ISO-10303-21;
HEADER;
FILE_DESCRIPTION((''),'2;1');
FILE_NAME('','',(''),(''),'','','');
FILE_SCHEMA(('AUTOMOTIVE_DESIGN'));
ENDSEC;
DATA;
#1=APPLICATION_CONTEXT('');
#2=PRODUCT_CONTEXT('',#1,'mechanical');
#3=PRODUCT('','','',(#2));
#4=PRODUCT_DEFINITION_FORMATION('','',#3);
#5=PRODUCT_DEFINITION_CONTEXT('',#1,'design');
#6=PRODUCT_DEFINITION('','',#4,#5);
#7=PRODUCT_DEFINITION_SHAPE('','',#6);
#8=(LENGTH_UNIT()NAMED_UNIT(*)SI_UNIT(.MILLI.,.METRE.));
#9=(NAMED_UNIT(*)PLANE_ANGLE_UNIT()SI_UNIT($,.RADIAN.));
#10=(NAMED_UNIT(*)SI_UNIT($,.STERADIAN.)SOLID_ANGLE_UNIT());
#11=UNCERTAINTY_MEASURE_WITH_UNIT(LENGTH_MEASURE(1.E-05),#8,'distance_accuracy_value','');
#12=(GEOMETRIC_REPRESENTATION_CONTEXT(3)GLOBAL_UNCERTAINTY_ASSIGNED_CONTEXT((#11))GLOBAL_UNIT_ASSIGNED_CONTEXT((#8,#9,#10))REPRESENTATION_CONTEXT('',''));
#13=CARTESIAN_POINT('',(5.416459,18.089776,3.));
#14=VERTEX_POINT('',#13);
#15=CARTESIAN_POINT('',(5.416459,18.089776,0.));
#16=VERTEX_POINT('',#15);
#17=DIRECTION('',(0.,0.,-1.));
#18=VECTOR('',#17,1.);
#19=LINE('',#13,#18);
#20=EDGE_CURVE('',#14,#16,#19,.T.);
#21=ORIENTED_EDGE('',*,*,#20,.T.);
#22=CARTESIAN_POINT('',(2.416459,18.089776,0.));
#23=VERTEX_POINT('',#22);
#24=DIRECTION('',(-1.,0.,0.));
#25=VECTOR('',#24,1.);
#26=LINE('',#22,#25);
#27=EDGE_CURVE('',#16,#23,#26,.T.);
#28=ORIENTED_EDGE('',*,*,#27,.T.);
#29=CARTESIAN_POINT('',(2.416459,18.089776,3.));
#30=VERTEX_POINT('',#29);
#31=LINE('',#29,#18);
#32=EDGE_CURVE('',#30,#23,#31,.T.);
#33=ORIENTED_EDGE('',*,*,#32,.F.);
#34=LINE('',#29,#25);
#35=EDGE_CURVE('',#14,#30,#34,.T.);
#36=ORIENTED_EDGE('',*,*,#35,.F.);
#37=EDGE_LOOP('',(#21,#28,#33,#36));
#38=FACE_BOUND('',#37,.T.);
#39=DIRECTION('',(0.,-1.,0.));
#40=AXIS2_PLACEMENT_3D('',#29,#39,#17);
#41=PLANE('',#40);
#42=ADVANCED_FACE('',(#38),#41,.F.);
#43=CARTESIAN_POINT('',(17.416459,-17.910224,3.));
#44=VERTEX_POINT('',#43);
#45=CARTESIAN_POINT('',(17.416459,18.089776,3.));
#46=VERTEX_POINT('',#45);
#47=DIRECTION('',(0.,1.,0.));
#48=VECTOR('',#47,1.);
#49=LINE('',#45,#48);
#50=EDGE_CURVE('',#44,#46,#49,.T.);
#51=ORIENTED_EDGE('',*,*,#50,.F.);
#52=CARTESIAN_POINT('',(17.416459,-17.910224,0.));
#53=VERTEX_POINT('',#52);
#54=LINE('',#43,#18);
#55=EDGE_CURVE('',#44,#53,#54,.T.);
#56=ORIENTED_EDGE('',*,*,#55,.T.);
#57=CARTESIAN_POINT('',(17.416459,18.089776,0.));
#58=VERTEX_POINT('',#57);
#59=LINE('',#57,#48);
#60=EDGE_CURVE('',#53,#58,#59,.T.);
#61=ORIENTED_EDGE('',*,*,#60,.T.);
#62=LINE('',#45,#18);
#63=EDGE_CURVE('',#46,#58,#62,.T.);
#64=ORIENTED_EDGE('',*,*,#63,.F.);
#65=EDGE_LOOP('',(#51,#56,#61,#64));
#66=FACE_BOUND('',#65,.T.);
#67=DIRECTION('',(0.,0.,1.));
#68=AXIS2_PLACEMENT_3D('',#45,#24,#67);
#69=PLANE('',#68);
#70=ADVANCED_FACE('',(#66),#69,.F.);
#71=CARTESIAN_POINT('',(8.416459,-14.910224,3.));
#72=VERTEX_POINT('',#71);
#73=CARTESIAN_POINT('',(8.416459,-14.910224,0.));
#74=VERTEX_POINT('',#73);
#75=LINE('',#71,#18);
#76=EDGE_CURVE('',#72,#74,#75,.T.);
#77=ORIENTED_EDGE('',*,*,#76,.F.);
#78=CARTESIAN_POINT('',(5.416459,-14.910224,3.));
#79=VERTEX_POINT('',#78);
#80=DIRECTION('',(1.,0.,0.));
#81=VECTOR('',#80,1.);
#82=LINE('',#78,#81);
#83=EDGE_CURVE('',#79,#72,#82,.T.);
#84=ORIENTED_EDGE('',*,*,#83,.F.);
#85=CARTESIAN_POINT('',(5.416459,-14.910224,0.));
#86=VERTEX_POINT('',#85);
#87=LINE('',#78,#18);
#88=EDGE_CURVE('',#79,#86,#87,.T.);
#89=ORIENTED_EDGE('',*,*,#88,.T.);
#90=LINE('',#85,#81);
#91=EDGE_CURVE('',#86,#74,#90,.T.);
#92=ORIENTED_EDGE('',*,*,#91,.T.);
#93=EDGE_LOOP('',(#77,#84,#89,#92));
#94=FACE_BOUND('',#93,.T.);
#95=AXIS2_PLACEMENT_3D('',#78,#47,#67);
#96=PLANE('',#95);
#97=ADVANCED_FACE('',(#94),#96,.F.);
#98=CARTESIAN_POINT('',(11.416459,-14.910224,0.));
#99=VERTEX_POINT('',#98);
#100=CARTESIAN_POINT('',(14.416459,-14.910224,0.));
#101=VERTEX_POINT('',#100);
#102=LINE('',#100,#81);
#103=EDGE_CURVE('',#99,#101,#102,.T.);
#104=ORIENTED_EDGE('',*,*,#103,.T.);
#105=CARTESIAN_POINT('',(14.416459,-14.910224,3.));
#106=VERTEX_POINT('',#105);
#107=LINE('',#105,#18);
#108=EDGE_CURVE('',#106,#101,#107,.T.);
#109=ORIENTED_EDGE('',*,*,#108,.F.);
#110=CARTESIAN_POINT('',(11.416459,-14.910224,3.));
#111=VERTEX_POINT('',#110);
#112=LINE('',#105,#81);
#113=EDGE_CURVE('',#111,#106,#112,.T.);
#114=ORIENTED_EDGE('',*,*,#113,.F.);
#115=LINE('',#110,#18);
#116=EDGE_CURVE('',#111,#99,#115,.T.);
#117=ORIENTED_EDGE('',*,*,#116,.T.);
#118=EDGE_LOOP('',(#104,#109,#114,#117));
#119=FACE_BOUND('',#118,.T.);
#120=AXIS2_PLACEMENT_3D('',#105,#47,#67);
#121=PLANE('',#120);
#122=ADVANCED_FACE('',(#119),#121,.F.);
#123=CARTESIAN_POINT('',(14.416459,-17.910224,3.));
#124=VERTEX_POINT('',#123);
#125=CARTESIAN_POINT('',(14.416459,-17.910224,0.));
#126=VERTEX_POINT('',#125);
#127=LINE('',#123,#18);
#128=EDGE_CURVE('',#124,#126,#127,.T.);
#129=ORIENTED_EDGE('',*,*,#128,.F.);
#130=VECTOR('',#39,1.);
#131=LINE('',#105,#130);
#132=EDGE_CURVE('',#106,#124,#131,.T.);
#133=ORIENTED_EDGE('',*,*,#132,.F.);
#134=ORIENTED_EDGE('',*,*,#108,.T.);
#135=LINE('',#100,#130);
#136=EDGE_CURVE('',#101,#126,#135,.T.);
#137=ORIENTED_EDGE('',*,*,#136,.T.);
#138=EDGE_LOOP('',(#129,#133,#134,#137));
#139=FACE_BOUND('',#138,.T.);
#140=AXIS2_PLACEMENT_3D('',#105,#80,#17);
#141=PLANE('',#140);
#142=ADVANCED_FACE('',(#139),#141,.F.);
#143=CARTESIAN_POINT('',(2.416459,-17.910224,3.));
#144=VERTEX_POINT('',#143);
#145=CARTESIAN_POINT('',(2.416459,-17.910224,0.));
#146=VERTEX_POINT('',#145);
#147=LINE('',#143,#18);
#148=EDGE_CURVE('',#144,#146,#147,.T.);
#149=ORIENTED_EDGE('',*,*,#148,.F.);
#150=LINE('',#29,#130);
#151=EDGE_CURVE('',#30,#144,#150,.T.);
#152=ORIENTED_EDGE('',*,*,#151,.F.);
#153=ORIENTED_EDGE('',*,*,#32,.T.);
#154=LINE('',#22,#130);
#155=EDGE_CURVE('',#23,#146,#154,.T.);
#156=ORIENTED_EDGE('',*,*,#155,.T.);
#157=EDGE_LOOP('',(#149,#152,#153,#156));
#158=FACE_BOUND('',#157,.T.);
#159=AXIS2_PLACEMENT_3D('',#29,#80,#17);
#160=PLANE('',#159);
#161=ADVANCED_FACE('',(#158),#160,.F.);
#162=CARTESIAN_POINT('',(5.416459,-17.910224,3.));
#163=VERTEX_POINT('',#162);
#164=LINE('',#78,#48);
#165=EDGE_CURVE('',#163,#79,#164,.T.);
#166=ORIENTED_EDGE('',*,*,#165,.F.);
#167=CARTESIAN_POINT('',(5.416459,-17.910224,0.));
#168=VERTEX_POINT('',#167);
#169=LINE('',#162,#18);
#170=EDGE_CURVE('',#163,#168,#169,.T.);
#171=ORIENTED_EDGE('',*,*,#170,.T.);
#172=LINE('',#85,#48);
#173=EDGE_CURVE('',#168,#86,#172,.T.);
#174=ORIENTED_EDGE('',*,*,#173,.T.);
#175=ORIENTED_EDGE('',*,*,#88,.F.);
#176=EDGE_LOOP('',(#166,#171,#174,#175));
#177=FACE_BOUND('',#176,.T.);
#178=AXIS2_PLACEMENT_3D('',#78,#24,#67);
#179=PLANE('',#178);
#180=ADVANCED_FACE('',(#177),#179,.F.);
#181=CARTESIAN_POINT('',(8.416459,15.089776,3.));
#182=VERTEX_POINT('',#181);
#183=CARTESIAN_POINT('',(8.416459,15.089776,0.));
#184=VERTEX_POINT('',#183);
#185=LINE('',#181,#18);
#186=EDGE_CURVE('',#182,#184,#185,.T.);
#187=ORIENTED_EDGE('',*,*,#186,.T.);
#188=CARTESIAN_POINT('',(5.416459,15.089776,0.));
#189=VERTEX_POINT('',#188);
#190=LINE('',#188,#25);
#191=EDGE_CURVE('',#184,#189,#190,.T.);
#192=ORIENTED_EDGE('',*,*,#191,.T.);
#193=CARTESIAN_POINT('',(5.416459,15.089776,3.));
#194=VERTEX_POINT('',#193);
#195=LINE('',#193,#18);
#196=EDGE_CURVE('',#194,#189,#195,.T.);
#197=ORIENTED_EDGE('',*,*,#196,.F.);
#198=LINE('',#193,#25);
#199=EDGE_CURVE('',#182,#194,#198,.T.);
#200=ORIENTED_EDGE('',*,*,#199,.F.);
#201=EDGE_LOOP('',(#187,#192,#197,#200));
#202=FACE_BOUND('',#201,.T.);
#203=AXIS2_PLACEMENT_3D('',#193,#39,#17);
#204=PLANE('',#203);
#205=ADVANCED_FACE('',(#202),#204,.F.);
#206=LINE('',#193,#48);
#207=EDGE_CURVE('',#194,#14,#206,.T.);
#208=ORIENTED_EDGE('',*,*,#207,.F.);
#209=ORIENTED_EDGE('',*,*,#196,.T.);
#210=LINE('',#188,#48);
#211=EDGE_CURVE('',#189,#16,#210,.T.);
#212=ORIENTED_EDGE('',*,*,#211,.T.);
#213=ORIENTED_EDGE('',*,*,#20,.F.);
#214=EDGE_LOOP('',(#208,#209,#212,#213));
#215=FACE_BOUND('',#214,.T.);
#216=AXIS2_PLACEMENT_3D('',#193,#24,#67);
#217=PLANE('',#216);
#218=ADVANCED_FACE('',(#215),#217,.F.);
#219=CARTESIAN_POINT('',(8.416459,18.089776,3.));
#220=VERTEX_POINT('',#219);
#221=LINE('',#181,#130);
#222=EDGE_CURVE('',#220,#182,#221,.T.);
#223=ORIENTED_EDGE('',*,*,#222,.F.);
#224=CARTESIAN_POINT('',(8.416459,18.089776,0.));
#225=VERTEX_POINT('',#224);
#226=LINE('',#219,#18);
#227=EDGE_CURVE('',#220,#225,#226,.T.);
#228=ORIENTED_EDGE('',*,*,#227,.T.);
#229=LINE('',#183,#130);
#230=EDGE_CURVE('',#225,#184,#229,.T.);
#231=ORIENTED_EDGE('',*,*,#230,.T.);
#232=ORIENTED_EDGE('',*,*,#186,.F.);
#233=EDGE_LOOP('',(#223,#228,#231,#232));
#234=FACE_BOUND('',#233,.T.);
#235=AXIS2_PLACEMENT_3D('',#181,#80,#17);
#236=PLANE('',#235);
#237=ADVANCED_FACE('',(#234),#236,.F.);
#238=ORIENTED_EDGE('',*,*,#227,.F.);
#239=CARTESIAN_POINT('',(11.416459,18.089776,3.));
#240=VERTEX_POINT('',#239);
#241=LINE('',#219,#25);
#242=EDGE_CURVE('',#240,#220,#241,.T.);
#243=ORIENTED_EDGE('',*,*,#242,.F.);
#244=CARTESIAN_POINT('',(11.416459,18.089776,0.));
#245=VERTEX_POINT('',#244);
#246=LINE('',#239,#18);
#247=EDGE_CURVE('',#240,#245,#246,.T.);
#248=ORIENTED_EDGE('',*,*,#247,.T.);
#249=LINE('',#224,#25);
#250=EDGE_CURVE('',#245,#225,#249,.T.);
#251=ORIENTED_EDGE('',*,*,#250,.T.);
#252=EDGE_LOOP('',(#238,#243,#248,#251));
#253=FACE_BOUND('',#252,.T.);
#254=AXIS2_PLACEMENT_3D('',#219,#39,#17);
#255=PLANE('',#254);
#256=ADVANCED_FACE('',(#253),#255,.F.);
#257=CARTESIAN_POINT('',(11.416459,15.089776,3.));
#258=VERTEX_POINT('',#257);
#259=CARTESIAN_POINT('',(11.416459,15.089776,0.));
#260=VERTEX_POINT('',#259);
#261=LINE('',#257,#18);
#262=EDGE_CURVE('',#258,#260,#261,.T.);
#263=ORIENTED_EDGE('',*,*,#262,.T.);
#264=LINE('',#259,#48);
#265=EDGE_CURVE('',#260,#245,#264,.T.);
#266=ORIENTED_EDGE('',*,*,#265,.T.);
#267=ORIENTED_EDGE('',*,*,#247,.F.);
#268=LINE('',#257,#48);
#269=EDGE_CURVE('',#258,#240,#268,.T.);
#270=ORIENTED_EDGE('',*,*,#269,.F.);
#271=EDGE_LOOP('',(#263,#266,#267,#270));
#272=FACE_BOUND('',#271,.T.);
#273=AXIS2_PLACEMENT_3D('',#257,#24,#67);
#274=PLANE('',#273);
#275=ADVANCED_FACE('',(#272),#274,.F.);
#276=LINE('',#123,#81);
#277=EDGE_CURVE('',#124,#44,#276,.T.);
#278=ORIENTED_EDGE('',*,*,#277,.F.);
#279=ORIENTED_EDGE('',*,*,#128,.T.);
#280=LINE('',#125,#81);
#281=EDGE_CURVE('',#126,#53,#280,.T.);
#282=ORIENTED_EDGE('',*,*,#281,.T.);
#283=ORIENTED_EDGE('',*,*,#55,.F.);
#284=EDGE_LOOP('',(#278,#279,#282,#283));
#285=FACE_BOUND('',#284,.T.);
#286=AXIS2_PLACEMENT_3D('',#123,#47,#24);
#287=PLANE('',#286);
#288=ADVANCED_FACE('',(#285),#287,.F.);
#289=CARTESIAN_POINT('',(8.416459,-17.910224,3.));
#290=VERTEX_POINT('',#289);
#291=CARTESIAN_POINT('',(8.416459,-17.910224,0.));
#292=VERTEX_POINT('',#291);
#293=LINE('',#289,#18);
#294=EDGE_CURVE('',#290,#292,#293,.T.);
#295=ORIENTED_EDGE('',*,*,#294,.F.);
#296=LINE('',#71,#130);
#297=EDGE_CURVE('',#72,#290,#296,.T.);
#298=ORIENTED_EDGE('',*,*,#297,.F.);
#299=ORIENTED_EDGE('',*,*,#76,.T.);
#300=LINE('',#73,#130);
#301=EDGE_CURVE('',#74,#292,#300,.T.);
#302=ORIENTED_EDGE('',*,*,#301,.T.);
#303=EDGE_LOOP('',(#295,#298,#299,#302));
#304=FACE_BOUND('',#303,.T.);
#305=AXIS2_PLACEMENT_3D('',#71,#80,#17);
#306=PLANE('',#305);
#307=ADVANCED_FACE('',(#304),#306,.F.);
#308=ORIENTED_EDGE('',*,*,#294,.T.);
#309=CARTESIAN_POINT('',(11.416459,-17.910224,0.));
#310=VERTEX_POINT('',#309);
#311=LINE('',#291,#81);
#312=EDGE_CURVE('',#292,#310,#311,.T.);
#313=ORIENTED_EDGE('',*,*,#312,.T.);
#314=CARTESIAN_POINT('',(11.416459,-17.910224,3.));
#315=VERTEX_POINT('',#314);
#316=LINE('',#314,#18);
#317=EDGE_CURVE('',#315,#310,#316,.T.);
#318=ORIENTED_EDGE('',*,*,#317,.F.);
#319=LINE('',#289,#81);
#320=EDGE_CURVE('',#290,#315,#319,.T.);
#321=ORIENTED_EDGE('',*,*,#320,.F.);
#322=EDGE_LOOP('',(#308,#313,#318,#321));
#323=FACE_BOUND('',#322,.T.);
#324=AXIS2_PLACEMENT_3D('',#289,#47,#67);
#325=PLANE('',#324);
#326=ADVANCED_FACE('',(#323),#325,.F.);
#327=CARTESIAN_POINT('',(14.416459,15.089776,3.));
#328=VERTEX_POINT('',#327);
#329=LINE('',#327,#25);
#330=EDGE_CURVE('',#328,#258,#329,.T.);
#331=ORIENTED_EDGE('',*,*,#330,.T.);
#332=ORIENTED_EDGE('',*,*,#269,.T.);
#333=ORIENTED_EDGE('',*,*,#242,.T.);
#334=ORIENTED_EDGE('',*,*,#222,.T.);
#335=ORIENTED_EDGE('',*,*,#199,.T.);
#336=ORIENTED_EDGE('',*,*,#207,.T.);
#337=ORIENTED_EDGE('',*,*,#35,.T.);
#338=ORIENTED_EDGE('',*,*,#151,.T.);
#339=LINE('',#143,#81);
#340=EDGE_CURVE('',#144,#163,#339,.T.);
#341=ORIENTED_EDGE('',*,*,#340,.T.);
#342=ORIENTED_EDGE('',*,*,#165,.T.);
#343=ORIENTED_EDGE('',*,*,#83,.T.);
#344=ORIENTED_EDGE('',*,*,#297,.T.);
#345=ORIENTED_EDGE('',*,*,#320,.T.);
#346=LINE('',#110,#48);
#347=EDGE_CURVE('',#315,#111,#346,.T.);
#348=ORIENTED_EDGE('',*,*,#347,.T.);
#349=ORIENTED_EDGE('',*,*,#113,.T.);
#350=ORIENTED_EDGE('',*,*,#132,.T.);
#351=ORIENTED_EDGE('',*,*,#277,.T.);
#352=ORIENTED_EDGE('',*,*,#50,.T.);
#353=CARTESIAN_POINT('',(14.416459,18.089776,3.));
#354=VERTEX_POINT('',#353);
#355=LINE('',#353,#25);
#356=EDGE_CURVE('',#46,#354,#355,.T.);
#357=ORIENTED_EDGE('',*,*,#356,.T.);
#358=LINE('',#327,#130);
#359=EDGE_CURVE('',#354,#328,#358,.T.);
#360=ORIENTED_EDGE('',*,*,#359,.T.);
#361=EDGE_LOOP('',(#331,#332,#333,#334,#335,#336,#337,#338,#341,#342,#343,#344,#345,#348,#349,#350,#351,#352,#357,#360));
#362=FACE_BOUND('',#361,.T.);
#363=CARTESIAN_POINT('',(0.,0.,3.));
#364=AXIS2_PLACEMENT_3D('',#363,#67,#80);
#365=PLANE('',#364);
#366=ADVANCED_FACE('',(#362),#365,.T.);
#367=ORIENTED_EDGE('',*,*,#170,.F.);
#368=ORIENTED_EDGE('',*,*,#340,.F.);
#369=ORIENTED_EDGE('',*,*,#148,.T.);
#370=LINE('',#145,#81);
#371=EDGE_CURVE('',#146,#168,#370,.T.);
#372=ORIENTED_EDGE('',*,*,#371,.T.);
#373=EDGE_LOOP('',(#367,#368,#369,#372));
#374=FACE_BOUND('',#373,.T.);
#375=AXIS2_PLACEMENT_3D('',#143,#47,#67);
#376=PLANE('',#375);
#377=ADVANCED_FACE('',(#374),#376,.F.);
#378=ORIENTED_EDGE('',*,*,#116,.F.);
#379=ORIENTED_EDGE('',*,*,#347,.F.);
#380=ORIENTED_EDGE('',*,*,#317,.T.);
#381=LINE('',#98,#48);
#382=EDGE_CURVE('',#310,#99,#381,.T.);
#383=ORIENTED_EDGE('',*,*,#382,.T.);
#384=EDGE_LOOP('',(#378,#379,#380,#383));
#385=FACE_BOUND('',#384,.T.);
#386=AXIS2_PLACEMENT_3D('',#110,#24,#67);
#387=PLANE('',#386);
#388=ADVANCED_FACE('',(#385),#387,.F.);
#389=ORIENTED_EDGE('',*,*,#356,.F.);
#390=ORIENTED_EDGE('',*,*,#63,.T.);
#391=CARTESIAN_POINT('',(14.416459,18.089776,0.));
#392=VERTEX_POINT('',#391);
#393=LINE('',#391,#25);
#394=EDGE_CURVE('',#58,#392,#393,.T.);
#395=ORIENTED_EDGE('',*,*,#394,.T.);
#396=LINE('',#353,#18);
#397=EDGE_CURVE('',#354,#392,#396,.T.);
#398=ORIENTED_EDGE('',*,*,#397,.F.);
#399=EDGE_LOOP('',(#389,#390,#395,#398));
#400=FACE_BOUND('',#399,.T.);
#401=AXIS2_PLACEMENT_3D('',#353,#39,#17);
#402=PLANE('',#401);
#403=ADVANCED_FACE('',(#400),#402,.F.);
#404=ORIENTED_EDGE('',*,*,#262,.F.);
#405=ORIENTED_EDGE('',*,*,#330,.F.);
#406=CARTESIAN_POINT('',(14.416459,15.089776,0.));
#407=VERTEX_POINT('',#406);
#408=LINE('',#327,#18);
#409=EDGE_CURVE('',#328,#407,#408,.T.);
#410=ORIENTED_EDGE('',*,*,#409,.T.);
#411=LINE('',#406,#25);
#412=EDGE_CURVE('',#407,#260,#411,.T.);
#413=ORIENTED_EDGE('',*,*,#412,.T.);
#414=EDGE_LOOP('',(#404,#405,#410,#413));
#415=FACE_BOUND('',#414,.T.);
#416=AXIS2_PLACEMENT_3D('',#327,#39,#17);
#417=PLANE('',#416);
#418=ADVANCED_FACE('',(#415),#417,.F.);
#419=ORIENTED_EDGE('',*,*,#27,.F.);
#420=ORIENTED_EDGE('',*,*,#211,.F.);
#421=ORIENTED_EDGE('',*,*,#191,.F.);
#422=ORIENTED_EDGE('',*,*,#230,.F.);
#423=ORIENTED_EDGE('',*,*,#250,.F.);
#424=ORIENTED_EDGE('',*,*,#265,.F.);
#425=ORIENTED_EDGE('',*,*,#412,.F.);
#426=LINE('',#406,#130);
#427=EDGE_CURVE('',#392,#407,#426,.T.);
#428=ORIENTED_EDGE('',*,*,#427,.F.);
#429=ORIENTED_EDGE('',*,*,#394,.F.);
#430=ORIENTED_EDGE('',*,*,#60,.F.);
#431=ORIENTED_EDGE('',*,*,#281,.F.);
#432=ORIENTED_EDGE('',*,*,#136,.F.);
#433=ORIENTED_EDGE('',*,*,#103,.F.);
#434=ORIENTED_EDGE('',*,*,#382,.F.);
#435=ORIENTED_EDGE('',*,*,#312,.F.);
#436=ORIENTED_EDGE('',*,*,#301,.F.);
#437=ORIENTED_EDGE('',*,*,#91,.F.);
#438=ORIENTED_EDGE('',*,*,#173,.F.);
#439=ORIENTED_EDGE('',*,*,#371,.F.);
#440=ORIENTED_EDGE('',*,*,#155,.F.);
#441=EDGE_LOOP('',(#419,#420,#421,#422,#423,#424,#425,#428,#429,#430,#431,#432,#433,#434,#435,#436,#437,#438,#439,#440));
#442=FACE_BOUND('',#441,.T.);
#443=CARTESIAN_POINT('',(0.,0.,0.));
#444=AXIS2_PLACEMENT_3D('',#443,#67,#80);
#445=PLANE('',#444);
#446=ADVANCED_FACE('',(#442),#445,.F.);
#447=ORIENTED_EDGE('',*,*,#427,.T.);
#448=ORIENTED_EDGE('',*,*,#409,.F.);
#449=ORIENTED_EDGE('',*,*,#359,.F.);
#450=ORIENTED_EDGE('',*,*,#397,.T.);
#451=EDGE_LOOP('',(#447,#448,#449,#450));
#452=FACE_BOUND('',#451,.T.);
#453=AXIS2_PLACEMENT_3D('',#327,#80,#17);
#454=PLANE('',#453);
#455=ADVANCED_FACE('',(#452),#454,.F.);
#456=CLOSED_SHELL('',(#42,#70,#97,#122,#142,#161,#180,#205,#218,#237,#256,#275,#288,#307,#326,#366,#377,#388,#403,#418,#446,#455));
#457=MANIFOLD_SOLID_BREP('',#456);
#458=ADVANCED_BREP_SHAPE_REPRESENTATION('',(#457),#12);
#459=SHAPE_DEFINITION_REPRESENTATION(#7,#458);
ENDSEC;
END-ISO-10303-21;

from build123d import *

# Parameters (mm, degrees)
BOSS_EXTRUDE1_DEPTH = 3


with BuildPart() as part:
    # Sketch1 → Boss-Extrude1 (new body)
    with BuildSketch(Plane.XY):
        Polygon((2.416458853, 18.089775561), (5.416458853, 18.089775561), (5.416458853, 15.089775561), (8.416458853, 15.089775561), (8.416458853, 18.089775561), (11.416458853, 18.089775561), (11.416458853, 15.089775561), (14.416458853, 15.089775561), (14.416458853, 18.089775561), (17.416458853, 18.089775561), (17.416458853, -17.910224439), (14.416458853, -17.910224439), (14.416458853, -14.910224439), (11.416458853, -14.910224439), (11.416458853, -17.910224439), (8.416458853, -17.910224439), (8.416458853, -14.910224439), (5.416458853, -14.910224439), (5.416458853, -17.910224439), (2.416458853, -17.910224439), align=None)
    extrude(amount=BOSS_EXTRUDE1_DEPTH)


solid = part.part
